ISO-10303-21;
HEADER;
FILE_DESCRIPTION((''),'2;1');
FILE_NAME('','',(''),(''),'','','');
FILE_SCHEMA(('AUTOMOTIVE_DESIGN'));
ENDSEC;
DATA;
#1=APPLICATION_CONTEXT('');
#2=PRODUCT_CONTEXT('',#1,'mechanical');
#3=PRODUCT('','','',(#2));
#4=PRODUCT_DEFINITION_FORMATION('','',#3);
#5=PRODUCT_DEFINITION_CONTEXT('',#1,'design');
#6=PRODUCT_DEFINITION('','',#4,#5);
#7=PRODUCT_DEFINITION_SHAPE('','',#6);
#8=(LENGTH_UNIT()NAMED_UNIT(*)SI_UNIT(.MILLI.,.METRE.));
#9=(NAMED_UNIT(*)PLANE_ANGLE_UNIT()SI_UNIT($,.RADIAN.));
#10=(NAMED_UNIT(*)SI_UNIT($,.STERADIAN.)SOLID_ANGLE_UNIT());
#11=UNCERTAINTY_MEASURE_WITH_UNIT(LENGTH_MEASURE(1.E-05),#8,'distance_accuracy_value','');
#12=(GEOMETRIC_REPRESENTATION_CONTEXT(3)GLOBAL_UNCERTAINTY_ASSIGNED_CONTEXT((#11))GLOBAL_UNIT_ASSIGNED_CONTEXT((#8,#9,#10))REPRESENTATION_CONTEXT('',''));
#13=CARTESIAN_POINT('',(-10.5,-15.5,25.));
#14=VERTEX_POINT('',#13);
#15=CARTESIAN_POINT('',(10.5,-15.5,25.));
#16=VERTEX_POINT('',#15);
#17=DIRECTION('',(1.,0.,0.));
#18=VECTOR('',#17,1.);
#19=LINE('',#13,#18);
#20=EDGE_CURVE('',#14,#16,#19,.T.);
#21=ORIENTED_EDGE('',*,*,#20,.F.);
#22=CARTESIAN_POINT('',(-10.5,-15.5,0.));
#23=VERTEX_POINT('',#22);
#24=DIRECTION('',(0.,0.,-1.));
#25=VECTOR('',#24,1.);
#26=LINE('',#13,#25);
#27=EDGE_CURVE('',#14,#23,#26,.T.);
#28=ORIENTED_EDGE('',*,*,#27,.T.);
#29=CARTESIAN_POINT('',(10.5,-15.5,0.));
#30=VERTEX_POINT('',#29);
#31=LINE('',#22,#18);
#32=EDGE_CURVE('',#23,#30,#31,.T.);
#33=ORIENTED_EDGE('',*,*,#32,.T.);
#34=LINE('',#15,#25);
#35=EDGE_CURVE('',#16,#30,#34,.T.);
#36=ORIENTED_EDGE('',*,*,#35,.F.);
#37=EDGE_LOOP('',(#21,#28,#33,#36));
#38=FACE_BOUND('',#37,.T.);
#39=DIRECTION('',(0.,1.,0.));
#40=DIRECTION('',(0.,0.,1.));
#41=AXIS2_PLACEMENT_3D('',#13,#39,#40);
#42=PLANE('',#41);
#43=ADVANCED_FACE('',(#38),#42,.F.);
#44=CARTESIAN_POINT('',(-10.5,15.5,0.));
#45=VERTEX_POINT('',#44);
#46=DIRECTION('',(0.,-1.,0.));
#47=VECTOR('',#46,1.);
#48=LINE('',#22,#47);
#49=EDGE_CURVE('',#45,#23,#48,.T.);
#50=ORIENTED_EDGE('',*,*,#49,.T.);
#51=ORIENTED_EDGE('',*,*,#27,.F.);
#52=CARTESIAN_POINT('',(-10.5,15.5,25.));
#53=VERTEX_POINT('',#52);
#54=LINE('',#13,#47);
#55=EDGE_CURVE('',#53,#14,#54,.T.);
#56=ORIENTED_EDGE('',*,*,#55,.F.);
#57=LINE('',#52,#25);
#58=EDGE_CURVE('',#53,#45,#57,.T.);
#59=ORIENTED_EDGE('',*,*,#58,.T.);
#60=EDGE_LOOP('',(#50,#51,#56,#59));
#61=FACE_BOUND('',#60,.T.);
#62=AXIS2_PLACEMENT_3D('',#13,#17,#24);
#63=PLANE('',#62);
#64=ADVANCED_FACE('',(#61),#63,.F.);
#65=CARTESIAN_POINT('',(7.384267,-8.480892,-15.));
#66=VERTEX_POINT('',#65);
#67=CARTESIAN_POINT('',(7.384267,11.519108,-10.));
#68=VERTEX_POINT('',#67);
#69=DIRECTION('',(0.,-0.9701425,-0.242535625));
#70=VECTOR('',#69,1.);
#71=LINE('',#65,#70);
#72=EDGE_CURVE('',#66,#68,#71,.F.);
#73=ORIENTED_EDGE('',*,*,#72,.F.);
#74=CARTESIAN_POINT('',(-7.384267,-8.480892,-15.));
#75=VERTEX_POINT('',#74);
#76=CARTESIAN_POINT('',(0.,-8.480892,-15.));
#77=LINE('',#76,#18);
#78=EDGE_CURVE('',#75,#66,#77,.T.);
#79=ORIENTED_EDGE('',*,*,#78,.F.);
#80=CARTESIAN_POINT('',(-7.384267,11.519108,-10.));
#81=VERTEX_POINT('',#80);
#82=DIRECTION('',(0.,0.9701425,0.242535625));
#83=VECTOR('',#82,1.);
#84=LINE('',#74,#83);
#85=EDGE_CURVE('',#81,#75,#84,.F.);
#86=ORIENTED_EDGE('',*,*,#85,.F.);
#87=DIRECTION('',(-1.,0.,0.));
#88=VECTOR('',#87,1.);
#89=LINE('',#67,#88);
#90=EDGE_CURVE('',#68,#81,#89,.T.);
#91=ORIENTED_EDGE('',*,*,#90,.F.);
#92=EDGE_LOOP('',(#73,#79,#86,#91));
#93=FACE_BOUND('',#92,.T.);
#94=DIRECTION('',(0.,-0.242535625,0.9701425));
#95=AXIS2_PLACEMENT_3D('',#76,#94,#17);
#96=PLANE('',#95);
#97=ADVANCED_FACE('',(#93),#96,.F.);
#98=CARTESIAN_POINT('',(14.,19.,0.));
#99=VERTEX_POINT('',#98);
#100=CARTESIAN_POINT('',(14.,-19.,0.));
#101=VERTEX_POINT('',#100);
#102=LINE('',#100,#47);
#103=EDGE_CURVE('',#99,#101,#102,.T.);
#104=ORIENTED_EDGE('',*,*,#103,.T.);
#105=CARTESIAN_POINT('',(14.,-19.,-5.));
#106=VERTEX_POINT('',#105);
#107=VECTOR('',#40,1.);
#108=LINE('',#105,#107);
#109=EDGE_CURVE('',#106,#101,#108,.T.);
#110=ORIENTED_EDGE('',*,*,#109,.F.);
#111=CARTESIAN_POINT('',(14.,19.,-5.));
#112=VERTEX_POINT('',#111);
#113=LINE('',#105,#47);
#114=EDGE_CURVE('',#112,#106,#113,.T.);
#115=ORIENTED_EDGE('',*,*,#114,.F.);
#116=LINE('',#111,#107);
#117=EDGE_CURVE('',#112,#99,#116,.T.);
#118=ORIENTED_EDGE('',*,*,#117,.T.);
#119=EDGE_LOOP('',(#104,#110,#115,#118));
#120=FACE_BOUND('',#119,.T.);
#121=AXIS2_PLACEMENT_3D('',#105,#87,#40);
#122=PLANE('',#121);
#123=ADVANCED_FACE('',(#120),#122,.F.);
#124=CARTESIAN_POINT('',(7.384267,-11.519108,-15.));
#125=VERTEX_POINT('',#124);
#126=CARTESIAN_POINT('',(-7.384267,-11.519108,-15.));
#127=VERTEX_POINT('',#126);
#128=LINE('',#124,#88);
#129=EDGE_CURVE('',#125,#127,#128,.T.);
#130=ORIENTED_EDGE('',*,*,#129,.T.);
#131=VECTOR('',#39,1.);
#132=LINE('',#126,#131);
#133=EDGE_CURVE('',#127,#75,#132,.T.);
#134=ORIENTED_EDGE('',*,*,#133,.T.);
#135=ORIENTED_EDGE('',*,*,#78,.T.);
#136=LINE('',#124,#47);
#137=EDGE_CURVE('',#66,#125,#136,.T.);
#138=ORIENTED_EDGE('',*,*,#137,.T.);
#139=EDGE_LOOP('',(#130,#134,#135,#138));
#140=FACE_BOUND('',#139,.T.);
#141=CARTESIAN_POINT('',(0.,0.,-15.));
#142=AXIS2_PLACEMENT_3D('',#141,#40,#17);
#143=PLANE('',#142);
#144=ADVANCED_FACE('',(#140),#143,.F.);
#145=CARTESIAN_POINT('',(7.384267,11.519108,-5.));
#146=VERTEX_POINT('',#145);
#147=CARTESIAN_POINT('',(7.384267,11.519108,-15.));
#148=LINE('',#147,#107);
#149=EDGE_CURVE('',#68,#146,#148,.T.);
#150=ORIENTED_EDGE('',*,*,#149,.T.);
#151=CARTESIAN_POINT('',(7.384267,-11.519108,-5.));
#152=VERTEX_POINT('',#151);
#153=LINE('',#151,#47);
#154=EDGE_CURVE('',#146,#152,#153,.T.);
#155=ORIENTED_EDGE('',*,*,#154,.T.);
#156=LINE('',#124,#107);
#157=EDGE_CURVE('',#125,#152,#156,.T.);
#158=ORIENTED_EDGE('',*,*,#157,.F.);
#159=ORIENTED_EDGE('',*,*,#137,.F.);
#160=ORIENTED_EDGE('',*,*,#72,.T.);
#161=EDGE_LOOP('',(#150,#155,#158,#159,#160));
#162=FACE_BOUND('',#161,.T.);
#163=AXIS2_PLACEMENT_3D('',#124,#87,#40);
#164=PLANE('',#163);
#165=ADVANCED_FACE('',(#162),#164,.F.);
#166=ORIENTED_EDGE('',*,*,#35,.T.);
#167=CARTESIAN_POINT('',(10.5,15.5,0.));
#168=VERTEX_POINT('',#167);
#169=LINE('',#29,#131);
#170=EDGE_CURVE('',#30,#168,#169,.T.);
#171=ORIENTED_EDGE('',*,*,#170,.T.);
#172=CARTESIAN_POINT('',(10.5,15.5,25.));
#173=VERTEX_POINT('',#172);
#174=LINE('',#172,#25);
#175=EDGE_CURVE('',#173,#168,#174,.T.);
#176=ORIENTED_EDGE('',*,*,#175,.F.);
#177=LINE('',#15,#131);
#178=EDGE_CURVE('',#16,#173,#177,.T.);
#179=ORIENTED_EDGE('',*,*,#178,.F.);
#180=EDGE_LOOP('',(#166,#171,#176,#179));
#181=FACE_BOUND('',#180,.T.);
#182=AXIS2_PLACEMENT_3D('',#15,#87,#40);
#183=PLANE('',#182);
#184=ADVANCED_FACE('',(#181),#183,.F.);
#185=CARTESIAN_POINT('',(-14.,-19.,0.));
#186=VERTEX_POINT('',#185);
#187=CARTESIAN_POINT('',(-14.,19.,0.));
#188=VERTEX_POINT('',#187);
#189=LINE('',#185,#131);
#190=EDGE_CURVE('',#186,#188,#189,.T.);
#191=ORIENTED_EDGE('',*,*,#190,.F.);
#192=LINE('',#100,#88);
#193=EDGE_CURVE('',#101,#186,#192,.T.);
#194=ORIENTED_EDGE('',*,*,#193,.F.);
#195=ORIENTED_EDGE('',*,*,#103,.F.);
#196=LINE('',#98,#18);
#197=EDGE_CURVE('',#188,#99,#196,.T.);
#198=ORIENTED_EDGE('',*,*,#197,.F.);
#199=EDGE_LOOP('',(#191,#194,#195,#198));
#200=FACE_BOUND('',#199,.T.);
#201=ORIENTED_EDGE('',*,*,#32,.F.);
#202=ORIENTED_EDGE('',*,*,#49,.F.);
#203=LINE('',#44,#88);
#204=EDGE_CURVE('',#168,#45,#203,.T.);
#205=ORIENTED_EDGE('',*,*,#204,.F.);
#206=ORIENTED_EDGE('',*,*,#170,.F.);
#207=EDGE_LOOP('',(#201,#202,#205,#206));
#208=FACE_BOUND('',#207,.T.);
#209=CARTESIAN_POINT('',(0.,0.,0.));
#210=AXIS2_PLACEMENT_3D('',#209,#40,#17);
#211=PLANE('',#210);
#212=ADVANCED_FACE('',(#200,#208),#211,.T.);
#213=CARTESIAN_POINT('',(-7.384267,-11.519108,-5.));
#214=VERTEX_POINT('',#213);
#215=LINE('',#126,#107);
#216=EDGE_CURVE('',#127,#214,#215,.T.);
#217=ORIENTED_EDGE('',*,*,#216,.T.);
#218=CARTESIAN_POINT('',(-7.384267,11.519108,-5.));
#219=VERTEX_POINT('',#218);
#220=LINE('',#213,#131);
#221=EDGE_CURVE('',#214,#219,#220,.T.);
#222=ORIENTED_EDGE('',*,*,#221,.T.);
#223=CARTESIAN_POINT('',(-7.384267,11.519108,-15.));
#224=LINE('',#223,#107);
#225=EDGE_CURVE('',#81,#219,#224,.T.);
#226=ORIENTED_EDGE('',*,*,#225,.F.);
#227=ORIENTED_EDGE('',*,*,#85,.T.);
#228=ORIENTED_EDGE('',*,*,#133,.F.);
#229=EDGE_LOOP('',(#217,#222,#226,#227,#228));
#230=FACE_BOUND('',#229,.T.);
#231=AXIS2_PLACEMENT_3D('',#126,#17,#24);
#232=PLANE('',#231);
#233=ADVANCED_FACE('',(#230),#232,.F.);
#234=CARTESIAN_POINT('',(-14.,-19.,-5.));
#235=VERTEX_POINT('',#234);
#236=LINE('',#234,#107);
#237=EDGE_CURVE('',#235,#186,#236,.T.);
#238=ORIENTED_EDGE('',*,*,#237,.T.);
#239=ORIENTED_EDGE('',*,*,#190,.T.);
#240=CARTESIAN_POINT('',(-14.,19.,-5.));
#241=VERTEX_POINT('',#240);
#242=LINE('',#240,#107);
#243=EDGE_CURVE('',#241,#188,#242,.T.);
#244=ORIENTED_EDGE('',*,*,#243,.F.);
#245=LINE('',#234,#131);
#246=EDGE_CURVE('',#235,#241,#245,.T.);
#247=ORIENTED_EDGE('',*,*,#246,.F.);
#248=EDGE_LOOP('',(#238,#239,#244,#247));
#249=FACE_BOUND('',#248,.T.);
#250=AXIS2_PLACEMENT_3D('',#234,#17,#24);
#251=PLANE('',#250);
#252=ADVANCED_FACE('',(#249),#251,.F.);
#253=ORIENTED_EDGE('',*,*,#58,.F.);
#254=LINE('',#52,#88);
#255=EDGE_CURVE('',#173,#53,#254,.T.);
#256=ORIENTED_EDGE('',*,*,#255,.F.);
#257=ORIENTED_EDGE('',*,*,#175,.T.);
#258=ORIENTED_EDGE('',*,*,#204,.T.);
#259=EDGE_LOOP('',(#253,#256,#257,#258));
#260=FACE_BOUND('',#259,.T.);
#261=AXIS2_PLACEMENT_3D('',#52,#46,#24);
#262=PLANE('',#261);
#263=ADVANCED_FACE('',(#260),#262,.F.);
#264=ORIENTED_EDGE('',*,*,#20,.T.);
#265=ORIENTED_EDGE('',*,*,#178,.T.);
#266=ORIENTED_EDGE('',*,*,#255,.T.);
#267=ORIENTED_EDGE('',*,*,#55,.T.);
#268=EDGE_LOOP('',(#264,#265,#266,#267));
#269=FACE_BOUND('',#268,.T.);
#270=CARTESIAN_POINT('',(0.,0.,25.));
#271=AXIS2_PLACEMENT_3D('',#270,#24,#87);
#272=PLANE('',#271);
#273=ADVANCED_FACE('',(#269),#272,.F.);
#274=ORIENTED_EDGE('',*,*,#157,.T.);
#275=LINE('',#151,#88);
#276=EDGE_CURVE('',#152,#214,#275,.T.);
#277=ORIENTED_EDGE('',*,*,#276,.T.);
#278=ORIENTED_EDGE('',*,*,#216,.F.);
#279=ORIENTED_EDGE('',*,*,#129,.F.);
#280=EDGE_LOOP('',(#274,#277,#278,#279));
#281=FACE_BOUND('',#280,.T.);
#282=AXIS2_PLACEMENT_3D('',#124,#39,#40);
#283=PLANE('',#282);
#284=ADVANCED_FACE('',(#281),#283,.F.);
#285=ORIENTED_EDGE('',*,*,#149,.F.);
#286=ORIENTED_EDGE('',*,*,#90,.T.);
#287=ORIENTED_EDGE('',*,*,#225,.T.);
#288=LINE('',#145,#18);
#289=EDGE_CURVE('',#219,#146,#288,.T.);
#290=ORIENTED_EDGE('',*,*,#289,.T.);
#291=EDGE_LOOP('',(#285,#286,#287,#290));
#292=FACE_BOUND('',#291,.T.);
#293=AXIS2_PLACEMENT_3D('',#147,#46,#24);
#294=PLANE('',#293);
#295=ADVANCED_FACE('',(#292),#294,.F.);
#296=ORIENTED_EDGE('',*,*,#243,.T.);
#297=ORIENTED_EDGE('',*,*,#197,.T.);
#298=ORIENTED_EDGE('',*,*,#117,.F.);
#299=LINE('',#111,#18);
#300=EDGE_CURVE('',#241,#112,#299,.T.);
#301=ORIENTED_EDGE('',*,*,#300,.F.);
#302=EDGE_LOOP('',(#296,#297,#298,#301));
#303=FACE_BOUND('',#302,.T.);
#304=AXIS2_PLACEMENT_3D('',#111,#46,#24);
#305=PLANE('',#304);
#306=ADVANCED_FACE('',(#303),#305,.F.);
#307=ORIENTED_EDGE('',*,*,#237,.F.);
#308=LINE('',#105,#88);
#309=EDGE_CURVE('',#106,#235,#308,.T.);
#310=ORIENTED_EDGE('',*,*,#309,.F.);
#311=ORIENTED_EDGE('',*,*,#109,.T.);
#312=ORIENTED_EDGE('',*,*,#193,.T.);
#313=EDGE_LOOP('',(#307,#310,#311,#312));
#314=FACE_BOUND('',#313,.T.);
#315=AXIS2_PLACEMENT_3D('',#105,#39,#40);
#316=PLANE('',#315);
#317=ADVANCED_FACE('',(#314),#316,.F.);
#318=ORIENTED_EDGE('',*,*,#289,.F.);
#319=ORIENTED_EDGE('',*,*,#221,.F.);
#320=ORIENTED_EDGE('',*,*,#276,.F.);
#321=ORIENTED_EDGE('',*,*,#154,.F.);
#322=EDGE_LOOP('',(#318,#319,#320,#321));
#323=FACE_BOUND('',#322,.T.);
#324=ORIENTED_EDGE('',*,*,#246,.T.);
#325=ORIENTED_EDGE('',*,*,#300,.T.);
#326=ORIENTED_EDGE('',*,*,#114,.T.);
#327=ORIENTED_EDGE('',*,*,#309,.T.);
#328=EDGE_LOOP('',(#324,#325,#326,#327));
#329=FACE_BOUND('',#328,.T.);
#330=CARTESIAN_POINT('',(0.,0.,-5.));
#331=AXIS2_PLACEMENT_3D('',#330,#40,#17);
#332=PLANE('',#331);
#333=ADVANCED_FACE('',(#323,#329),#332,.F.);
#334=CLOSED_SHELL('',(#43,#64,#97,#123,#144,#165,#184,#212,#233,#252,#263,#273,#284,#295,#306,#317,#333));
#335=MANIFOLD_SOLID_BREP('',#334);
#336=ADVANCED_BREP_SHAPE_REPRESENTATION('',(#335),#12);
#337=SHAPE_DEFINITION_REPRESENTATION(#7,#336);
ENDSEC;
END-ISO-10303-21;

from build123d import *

# Parameters (mm, degrees)
SKETCH1_W           = 21
SKETCH1_H           = 31
BOSS_EXTRUDE1_DEPTH = 25
SKETCH2_W           = 28
SKETCH2_H           = 38
BOSS_EXTRUDE2_DEPTH = 5
SKETCH3_W           = 14.768534612
SKETCH3_H           = 23.038215668
BOSS_EXTRUDE3_DEPTH = 10
CHAMFER1_SIZE       = 5
CHAMFER1_SIZE2      = 20


with BuildPart() as part:
    # Sketch1 → Boss-Extrude1 (new body)
    with BuildSketch(Plane.XY):
        Rectangle(SKETCH1_W, SKETCH1_H)
    extrude(amount=BOSS_EXTRUDE1_DEPTH)

    # Sketch2 → Boss-Extrude2 (add)
    with BuildSketch(Plane(origin=(0, 0, 0), x_dir=(-1, 0, 0), z_dir=(0, 0, -1))):
        Rectangle(SKETCH2_W, SKETCH2_H)
    extrude(amount=BOSS_EXTRUDE2_DEPTH)

    # Sketch3 → Boss-Extrude3 (add)
    with BuildSketch(Plane(origin=(0, 0, -5), x_dir=(-1, 0, 0), z_dir=(0, 0, -1))):
        Rectangle(SKETCH3_W, SKETCH3_H)
    extrude(amount=BOSS_EXTRUDE3_DEPTH)

    # Chamfer1
    chamfer1_edges = [part.edges().sort_by_distance(p)[0] for p in [
        (0, 11.519107834, -15),
    ]]
    chamfer1_side = [part.faces().sort_by_distance(p)[0] for p in [
        (0, 11.519107834, -10),
    ]]
    chamfer(chamfer1_edges, length=CHAMFER1_SIZE, length2=CHAMFER1_SIZE2, reference=chamfer1_side[0])


solid = part.part
